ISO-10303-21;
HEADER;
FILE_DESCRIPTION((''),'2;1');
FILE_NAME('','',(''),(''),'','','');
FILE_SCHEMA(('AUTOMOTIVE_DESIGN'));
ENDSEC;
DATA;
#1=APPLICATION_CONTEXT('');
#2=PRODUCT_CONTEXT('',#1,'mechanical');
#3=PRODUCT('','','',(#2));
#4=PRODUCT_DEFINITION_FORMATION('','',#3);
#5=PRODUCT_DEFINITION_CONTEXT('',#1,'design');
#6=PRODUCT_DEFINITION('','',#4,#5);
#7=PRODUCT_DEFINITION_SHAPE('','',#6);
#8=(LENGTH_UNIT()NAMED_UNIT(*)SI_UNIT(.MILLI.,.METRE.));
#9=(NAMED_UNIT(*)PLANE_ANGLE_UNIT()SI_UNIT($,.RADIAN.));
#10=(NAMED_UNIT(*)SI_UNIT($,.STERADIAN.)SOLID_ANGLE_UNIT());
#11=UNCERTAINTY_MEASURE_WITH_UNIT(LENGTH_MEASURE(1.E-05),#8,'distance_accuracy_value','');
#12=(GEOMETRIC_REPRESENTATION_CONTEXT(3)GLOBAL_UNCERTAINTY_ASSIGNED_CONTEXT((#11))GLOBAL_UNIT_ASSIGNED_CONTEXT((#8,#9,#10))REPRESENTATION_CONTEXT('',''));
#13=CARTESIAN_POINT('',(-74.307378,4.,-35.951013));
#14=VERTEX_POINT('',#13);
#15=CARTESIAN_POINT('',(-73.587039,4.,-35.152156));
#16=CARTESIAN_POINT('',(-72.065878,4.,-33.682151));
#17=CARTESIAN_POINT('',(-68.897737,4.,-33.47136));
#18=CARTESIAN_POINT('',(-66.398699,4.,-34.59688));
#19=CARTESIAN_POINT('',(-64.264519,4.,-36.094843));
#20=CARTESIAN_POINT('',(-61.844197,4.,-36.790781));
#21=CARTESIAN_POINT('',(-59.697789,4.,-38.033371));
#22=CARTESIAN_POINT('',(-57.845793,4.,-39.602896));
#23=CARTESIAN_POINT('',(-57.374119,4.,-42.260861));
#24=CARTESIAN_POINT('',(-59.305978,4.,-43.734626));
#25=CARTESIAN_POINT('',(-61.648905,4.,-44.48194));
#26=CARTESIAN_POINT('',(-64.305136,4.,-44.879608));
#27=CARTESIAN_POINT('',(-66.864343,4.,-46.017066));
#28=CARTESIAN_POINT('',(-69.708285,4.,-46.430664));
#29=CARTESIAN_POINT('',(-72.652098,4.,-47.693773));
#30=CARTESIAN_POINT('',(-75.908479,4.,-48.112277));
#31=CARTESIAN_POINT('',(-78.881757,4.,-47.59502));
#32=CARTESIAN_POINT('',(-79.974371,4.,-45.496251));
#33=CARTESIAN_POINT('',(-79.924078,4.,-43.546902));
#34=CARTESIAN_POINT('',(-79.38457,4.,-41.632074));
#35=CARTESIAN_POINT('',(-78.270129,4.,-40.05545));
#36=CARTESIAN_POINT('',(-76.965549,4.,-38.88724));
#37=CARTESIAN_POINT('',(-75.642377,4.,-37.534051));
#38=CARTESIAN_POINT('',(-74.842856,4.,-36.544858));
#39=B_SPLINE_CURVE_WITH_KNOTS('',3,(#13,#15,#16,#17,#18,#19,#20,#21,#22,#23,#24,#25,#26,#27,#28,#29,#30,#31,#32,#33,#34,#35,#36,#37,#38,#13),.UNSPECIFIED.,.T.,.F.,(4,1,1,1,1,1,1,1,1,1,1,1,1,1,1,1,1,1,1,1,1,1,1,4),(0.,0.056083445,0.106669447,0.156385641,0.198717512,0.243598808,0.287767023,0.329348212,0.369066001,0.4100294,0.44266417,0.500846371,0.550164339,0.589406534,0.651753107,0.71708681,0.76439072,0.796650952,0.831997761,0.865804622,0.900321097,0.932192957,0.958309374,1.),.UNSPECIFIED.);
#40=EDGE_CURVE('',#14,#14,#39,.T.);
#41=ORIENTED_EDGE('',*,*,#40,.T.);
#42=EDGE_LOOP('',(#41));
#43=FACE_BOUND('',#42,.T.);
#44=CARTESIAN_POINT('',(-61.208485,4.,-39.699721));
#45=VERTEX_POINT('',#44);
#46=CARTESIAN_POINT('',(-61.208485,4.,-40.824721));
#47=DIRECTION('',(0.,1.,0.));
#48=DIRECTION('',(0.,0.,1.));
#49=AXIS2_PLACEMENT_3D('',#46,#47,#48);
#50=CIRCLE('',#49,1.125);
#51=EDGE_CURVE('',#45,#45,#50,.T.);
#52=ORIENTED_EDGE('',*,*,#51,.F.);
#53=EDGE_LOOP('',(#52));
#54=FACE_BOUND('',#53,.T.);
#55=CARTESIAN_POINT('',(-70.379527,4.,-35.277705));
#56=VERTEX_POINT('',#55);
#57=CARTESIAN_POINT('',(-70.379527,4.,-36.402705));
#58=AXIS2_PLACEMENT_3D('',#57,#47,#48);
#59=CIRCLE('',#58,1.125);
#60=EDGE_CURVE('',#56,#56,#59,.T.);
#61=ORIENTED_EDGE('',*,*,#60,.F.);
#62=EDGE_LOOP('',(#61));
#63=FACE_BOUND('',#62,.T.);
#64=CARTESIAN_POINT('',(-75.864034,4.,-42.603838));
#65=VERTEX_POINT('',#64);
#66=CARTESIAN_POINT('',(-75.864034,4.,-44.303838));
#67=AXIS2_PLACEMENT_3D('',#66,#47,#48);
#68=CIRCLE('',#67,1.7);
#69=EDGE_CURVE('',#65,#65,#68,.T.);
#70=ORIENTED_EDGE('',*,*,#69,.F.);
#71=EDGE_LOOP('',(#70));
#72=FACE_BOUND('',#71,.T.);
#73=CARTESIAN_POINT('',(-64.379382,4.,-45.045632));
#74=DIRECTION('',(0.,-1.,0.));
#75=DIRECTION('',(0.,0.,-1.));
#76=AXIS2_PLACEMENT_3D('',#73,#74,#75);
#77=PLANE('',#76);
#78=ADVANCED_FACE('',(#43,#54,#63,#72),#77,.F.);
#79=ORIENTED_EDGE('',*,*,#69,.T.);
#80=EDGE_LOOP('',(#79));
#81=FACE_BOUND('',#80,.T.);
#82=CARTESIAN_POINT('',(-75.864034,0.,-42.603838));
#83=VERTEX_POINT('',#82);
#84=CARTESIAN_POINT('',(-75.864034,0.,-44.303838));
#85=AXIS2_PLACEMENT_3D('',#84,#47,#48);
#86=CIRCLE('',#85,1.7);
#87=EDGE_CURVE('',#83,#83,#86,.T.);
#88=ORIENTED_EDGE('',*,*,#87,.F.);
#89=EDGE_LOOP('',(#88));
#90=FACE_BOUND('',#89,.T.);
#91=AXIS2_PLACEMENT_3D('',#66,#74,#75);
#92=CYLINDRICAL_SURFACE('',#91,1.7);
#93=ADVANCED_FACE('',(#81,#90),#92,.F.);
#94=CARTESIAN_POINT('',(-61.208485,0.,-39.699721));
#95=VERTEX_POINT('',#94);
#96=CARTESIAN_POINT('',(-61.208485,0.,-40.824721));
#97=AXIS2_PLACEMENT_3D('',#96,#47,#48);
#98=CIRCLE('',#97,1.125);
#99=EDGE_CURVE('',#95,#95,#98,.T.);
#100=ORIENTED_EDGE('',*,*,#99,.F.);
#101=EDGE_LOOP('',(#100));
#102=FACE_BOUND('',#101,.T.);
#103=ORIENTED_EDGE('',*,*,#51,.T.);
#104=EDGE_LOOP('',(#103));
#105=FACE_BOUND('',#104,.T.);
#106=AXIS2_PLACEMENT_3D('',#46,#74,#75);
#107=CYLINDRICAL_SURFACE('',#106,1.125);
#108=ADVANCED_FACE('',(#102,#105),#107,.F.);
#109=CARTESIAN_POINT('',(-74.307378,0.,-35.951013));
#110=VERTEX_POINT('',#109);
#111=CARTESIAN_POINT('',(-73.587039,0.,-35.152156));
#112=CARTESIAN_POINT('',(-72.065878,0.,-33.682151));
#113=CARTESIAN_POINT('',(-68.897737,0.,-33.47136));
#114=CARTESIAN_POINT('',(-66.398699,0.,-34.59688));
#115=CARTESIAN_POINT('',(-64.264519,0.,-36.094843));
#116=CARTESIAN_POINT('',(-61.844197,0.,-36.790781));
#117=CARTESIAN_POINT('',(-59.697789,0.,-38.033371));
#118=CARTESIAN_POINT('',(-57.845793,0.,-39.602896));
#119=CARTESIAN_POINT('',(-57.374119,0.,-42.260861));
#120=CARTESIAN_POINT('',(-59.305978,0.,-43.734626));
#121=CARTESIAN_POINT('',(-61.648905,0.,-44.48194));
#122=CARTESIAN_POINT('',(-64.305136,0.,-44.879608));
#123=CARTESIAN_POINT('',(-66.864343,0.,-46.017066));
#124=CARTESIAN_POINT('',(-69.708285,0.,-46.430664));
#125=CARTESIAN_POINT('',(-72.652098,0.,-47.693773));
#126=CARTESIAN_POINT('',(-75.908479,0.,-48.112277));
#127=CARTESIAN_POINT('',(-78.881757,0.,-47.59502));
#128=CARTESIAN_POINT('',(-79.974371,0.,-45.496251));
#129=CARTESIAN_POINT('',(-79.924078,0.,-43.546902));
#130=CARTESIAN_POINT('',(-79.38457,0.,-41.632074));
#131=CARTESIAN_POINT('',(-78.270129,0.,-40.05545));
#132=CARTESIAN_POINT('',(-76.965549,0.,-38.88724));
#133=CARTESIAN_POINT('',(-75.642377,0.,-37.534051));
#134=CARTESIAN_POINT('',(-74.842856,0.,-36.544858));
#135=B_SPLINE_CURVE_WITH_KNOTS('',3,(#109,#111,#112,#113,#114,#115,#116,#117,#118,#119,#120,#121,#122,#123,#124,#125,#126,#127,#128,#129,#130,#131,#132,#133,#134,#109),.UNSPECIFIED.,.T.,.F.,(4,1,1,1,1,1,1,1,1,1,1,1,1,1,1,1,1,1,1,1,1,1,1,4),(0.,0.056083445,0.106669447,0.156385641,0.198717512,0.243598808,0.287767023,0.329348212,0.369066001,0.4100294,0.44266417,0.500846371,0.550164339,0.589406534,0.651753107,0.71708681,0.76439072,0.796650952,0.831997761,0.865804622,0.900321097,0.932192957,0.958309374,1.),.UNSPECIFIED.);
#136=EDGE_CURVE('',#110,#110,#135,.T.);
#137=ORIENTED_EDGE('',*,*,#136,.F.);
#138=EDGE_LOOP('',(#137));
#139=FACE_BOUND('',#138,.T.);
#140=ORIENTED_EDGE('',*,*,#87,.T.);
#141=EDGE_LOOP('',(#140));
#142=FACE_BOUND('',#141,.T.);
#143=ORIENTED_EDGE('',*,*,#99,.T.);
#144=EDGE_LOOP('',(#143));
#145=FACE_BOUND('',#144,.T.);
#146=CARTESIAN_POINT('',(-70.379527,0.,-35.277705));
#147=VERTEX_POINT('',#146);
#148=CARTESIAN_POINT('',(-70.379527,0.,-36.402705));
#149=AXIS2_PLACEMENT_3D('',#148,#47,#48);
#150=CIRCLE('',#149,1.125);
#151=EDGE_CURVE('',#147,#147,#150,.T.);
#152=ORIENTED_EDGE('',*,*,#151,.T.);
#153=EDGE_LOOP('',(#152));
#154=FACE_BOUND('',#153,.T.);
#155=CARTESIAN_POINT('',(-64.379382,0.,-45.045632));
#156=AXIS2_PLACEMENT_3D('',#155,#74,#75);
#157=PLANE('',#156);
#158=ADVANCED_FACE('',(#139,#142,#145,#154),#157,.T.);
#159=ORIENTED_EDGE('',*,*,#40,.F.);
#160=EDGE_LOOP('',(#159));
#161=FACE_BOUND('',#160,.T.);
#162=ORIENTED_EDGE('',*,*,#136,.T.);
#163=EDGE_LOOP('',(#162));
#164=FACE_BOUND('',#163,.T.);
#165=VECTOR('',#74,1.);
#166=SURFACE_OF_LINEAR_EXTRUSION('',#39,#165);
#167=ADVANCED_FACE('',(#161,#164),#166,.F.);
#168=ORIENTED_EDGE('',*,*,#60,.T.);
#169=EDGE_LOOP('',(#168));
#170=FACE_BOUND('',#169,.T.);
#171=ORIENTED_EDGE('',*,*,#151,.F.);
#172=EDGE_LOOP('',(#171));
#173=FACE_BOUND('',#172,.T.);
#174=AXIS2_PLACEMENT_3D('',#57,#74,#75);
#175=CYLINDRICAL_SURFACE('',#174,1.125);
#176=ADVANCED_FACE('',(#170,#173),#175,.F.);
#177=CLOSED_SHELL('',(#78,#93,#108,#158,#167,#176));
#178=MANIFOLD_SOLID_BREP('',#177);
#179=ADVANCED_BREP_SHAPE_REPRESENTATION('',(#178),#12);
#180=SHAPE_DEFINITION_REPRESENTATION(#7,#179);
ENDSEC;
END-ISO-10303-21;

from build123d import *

# Parameters (mm, degrees)
SKETCH1_R           = 1.7
SKETCH1_R_2         = 1.125
BOSS_EXTRUDE3_DEPTH = 4


with BuildPart() as part:
    # Sketch1 → Boss-Extrude3 (new body)
    with BuildSketch(Plane(origin=(0, 0, 0), x_dir=(1, 0, 0), z_dir=(0, 1, 0))):
        with BuildLine():
            add(Edge.make_bspline(
                [(-74.30737843, 35.951013272), (-73.587038939, 35.152156232), (-72.065877642, 33.682150719), (-68.897736566, 33.471359755), (-66.398698979, 34.596879938), (-64.26451878, 36.094842655), (-61.844197021, 36.790780935), (-59.697789373, 38.033371459), (-57.845793337, 39.602895742), (-57.374119071, 42.260861107), (-59.305977928, 43.734625869), (-61.648905293, 44.481939985), (-64.305136084, 44.879608339), (-66.864343075, 46.017065753), (-69.708284754, 46.4306645), (-72.65209836, 47.693772701), (-75.908478882, 48.112277427), (-78.881757279, 47.595020387), (-79.974371088, 45.496251101), (-79.924078019, 43.546902139), (-79.384569757, 41.63207401), (-78.270128807, 40.055449677), (-76.965548821, 38.887239512), (-75.642376823, 37.534051421), (-74.842855599, 36.544857857), (-74.30737843, 35.951013272)],
                knots=[0, 0, 0, 0, 0.056083445, 0.106669447, 0.156385641, 0.198717512, 0.243598808, 0.287767023, 0.329348212, 0.369066001, 0.4100294, 0.44266417, 0.500846371, 0.550164339, 0.589406534, 0.651753107, 0.71708681, 0.76439072, 0.796650952, 0.831997761, 0.865804622, 0.900321097, 0.932192957, 0.958309374, 1, 1, 1, 1], degree=3))
        make_face()
        with Locations(Location((-75.864033859, 44.303837967, 0), (0, 0, 270))):
            Circle(SKETCH1_R, mode=Mode.SUBTRACT)
        with Locations(Location((-61.20848527, 40.824721079, 0), (0, 0, 270))):
            Circle(SKETCH1_R_2, mode=Mode.SUBTRACT)
        with Locations(Location((-70.379526687, 36.402704873, 0), (0, 0, 270))):
            Circle(SKETCH1_R_2, mode=Mode.SUBTRACT)
    extrude(amount=BOSS_EXTRUDE3_DEPTH)


solid = part.part
